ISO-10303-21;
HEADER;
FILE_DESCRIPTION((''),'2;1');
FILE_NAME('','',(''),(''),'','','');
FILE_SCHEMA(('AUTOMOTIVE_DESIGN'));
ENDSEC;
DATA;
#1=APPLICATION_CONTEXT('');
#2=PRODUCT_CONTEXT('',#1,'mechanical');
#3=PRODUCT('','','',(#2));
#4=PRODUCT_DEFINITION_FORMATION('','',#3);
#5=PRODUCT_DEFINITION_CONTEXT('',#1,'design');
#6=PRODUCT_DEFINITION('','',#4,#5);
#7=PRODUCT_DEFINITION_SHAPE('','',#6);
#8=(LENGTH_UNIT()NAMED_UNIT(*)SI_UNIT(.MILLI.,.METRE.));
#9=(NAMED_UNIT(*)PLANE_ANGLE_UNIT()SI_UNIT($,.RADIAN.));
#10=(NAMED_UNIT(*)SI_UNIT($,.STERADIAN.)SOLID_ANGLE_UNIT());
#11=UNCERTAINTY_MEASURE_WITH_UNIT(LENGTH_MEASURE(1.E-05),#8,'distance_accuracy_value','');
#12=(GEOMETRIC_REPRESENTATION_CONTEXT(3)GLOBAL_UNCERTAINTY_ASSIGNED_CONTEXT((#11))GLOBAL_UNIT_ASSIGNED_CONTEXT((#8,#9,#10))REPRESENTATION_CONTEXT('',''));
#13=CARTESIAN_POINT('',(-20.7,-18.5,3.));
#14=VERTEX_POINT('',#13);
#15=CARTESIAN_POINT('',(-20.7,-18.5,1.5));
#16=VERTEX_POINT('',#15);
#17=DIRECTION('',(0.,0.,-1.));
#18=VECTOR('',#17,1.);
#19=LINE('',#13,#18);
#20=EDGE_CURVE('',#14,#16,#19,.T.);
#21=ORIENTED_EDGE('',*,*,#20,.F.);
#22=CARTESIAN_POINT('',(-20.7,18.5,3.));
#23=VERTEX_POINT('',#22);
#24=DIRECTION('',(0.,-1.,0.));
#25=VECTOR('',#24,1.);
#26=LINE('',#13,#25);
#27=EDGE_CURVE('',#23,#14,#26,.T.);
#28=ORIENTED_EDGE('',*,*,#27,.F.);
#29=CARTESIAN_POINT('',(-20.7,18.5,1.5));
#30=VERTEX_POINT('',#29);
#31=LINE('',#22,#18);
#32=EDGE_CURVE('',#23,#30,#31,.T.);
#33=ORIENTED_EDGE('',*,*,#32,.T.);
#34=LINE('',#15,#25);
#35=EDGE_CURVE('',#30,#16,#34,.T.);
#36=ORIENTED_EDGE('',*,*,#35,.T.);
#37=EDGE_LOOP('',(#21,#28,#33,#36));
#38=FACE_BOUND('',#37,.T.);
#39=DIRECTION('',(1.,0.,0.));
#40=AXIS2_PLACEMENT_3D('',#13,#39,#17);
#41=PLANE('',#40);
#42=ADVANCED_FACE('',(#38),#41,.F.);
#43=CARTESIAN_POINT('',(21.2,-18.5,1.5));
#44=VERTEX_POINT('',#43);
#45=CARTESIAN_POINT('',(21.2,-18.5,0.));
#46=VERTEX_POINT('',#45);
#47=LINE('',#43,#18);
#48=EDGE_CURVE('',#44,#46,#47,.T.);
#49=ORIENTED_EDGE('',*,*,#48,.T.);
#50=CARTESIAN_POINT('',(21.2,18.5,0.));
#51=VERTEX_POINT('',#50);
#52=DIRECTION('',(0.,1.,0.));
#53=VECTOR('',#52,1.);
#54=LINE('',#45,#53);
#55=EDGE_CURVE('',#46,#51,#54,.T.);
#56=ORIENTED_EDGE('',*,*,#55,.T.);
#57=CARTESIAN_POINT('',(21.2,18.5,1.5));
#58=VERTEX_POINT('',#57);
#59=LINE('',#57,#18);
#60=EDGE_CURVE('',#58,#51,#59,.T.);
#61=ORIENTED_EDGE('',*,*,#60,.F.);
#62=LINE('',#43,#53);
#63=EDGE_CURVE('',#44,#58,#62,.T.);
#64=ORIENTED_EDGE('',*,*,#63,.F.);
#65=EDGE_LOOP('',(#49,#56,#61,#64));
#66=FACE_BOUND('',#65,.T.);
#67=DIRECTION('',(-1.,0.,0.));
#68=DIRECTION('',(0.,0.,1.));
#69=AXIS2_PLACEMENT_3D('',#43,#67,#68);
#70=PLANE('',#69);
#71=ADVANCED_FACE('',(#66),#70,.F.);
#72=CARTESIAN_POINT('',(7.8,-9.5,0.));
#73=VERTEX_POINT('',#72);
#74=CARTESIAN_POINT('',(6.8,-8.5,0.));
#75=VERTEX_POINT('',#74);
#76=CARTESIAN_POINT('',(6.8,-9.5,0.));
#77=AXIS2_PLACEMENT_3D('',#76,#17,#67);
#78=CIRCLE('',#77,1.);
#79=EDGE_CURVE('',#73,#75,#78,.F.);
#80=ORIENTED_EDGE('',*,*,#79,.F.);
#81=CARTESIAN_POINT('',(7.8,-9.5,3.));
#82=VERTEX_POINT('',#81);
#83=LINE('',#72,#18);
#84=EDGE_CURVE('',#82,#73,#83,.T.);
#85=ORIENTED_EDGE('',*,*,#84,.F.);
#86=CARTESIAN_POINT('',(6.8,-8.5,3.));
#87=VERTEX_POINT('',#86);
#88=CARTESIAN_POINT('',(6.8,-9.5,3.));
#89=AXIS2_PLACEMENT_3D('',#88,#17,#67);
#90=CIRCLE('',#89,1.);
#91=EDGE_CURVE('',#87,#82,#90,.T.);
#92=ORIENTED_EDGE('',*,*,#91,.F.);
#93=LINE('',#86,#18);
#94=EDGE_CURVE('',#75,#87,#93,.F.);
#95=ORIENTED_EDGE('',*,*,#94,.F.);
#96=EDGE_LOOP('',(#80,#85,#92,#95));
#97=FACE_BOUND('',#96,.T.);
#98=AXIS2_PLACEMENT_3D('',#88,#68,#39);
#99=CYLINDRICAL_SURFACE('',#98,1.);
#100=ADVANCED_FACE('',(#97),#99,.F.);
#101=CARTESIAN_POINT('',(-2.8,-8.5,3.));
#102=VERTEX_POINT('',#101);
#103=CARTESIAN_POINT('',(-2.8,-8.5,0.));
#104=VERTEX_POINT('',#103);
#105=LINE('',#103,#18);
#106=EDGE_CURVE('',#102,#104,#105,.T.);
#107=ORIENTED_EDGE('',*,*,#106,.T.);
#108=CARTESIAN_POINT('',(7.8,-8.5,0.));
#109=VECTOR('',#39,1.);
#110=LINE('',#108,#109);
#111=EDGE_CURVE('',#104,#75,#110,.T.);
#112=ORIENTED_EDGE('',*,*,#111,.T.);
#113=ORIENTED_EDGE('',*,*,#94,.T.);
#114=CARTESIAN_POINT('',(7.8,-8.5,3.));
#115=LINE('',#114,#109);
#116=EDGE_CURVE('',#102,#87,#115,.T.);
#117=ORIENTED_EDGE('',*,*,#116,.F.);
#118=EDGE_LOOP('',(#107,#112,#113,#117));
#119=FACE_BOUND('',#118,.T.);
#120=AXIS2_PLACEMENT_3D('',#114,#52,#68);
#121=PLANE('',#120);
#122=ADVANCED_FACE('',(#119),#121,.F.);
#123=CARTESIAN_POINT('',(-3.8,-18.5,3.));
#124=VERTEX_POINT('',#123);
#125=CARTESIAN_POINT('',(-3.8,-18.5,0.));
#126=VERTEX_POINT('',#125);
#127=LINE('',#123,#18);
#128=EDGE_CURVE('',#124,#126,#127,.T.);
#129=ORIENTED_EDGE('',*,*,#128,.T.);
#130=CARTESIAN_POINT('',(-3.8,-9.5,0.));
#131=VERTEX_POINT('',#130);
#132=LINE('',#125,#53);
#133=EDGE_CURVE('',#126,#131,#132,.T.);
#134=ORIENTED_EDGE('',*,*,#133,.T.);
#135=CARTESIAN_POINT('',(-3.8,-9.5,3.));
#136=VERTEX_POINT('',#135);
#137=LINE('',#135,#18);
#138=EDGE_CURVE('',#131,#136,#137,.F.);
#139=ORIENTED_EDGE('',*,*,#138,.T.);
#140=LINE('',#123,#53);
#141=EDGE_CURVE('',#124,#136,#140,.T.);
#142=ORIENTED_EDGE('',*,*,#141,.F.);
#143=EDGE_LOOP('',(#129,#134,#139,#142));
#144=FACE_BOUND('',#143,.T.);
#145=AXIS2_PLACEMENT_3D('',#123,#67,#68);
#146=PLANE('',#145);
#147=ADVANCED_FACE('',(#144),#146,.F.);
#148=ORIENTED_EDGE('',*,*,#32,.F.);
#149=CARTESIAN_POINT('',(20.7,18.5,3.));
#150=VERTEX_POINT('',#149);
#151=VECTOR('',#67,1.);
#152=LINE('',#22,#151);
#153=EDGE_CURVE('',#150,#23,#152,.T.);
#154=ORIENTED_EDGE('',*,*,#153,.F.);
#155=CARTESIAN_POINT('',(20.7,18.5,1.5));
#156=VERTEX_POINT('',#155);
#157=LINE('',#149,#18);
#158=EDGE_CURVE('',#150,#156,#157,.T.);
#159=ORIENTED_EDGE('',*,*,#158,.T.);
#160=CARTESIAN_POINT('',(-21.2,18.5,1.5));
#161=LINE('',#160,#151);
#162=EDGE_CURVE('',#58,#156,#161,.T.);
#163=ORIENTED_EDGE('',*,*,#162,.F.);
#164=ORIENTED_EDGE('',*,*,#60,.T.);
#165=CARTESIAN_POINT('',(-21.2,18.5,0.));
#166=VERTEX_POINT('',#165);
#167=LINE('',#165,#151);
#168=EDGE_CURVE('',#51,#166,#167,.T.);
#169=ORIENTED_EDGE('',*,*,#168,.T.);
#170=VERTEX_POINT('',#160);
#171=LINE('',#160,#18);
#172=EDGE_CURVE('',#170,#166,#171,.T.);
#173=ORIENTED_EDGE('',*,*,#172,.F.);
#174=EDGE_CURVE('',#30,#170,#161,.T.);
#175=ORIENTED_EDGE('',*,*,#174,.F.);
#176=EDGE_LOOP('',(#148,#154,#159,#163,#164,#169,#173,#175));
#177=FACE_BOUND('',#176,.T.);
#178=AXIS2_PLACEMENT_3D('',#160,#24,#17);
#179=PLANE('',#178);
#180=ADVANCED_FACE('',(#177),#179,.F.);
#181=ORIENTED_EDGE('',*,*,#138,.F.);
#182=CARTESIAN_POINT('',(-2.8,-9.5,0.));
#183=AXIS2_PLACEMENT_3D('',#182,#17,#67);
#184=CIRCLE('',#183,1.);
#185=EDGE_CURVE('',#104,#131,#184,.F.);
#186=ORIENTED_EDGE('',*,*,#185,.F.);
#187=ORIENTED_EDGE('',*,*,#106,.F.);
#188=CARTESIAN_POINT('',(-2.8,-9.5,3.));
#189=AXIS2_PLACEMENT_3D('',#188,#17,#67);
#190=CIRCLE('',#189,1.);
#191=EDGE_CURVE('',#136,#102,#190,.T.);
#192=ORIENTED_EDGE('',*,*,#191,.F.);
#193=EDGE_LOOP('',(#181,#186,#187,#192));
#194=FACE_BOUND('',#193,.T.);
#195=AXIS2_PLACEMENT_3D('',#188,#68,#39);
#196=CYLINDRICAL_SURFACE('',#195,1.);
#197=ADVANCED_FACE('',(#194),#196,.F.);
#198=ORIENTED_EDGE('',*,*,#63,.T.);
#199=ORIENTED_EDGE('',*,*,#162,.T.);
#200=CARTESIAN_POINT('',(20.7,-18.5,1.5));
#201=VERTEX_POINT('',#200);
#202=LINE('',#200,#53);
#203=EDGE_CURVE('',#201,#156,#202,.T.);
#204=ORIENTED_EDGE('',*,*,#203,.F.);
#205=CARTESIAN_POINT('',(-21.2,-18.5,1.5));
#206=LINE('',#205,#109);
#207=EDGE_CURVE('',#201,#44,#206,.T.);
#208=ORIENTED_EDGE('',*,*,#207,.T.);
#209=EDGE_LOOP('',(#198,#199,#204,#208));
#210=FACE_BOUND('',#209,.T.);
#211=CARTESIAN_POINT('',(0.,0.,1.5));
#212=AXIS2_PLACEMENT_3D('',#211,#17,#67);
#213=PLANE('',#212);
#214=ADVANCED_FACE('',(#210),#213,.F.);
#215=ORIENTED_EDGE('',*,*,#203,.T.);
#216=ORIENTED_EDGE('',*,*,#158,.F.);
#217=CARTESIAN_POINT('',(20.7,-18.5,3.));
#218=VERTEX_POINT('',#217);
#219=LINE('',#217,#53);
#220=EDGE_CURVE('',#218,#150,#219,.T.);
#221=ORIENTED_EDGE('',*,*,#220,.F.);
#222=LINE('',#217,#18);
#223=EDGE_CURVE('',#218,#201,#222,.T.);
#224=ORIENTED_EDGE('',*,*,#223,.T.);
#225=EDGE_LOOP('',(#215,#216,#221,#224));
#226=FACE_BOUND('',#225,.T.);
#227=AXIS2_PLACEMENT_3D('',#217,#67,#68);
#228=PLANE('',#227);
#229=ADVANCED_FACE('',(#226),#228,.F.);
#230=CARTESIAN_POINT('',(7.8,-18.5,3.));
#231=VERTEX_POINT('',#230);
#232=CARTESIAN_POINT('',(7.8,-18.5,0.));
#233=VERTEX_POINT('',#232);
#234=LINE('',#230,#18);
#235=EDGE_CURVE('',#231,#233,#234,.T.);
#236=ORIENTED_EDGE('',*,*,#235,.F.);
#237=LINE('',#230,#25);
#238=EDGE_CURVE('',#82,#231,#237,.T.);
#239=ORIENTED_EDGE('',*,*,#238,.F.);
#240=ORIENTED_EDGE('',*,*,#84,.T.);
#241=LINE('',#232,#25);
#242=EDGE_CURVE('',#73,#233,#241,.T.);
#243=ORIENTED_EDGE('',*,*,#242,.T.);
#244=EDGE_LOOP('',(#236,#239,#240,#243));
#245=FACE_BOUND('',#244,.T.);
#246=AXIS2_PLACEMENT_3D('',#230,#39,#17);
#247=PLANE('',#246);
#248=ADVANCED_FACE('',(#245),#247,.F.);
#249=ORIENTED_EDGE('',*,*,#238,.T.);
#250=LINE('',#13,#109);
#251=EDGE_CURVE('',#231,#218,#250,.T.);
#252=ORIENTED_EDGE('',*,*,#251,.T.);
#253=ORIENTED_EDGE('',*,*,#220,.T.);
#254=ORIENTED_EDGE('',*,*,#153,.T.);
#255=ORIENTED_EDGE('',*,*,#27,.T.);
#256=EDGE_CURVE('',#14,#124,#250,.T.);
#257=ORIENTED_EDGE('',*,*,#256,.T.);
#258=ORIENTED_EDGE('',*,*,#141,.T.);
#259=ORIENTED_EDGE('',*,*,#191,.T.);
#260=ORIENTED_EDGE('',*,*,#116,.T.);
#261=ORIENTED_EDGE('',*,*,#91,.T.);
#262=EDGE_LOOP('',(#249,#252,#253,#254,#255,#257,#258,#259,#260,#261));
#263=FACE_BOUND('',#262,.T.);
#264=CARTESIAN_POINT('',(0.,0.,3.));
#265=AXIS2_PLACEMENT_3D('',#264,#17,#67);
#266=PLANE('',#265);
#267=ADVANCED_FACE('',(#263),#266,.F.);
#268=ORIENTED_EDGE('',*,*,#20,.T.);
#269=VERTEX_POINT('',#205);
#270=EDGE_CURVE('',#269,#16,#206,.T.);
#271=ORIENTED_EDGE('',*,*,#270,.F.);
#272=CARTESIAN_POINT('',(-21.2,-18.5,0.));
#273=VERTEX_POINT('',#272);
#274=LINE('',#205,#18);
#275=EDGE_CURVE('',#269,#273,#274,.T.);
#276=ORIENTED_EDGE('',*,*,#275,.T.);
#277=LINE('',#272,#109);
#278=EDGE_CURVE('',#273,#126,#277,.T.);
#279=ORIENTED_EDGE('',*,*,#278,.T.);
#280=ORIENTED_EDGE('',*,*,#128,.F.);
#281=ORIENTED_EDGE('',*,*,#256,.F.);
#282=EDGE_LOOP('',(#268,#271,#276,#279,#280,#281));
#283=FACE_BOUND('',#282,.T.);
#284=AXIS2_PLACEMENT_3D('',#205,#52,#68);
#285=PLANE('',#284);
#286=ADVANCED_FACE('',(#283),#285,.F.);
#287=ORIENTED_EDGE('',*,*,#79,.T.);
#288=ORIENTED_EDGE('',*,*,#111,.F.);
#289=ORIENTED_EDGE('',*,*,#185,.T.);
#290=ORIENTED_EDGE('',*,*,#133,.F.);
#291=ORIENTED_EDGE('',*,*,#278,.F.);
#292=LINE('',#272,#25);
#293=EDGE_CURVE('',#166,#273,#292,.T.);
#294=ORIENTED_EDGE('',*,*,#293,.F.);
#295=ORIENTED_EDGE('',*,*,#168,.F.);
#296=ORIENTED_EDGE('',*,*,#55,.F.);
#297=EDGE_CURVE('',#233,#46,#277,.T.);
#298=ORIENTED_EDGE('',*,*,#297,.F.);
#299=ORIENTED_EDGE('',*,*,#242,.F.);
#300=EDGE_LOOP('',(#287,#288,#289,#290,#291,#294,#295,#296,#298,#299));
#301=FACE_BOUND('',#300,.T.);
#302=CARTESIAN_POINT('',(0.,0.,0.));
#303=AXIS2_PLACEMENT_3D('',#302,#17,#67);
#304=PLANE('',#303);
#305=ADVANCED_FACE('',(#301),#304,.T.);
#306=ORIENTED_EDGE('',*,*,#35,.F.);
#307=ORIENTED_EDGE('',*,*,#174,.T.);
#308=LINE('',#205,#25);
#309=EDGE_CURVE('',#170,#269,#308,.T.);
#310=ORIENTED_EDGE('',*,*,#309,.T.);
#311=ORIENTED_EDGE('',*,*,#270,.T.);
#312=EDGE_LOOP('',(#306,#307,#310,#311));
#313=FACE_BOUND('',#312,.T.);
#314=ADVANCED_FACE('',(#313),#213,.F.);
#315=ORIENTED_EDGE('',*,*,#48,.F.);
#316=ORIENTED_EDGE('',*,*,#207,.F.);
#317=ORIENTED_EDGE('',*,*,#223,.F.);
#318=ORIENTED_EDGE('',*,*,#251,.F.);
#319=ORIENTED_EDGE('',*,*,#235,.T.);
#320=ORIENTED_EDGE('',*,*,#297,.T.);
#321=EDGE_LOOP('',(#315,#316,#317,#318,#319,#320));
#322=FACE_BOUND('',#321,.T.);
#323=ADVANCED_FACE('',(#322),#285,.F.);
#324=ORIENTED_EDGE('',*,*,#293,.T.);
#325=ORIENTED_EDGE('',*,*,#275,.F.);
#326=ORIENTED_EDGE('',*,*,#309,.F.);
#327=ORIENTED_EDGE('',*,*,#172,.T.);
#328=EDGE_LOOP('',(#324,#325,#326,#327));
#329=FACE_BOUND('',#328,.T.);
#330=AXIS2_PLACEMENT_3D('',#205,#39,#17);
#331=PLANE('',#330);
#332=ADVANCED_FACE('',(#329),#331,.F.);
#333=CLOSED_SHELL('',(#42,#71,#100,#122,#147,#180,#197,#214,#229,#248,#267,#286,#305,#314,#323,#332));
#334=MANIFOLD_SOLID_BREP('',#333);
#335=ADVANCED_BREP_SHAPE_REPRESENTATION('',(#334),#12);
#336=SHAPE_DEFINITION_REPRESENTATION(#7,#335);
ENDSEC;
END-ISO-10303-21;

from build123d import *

# Parameters (mm, degrees)
SKETCH1_W           = 42.4
SKETCH1_H           = 37
BOSS_EXTRUDE1_DEPTH = 1.5
SKETCH2_W           = 41.4
SKETCH2_H           = 37
BOSS_EXTRUDE2_DEPTH = 1.5
SKETCH3_W           = 11.6
SKETCH3_H           = 10
CUT_EXTRUDE1_DEPTH  = 29.29646621
FILLET1_R           = 1


with BuildPart() as part:
    # Sketch1 → Boss-Extrude1 (new body)
    with BuildSketch(Plane.XY):
        Rectangle(SKETCH1_W, SKETCH1_H)
    extrude(amount=BOSS_EXTRUDE1_DEPTH)

    # Sketch2 → Boss-Extrude2 (add)
    with BuildSketch(Plane.XY.offset(1.5)):
        Rectangle(SKETCH2_W, SKETCH2_H)
    extrude(amount=BOSS_EXTRUDE2_DEPTH)

    # Sketch3 → Cut-Extrude1 (cut, through all)
    with BuildSketch(Plane(origin=(0, 0, 0), x_dir=(-1, 0, 0), z_dir=(0, 0, -1))):
        with Locations((-2, -13.5)):
            Rectangle(SKETCH3_W, SKETCH3_H)
    extrude(amount=-CUT_EXTRUDE1_DEPTH, mode=Mode.SUBTRACT)

    # Fillet1
    fillet1_edges = [part.edges().sort_by_distance(p)[0] for p in [
        (7.8, -8.5, 1.5),
        (-3.8, -8.5, 1.5),
    ]]
    fillet(fillet1_edges, radius=FILLET1_R)


solid = part.part
